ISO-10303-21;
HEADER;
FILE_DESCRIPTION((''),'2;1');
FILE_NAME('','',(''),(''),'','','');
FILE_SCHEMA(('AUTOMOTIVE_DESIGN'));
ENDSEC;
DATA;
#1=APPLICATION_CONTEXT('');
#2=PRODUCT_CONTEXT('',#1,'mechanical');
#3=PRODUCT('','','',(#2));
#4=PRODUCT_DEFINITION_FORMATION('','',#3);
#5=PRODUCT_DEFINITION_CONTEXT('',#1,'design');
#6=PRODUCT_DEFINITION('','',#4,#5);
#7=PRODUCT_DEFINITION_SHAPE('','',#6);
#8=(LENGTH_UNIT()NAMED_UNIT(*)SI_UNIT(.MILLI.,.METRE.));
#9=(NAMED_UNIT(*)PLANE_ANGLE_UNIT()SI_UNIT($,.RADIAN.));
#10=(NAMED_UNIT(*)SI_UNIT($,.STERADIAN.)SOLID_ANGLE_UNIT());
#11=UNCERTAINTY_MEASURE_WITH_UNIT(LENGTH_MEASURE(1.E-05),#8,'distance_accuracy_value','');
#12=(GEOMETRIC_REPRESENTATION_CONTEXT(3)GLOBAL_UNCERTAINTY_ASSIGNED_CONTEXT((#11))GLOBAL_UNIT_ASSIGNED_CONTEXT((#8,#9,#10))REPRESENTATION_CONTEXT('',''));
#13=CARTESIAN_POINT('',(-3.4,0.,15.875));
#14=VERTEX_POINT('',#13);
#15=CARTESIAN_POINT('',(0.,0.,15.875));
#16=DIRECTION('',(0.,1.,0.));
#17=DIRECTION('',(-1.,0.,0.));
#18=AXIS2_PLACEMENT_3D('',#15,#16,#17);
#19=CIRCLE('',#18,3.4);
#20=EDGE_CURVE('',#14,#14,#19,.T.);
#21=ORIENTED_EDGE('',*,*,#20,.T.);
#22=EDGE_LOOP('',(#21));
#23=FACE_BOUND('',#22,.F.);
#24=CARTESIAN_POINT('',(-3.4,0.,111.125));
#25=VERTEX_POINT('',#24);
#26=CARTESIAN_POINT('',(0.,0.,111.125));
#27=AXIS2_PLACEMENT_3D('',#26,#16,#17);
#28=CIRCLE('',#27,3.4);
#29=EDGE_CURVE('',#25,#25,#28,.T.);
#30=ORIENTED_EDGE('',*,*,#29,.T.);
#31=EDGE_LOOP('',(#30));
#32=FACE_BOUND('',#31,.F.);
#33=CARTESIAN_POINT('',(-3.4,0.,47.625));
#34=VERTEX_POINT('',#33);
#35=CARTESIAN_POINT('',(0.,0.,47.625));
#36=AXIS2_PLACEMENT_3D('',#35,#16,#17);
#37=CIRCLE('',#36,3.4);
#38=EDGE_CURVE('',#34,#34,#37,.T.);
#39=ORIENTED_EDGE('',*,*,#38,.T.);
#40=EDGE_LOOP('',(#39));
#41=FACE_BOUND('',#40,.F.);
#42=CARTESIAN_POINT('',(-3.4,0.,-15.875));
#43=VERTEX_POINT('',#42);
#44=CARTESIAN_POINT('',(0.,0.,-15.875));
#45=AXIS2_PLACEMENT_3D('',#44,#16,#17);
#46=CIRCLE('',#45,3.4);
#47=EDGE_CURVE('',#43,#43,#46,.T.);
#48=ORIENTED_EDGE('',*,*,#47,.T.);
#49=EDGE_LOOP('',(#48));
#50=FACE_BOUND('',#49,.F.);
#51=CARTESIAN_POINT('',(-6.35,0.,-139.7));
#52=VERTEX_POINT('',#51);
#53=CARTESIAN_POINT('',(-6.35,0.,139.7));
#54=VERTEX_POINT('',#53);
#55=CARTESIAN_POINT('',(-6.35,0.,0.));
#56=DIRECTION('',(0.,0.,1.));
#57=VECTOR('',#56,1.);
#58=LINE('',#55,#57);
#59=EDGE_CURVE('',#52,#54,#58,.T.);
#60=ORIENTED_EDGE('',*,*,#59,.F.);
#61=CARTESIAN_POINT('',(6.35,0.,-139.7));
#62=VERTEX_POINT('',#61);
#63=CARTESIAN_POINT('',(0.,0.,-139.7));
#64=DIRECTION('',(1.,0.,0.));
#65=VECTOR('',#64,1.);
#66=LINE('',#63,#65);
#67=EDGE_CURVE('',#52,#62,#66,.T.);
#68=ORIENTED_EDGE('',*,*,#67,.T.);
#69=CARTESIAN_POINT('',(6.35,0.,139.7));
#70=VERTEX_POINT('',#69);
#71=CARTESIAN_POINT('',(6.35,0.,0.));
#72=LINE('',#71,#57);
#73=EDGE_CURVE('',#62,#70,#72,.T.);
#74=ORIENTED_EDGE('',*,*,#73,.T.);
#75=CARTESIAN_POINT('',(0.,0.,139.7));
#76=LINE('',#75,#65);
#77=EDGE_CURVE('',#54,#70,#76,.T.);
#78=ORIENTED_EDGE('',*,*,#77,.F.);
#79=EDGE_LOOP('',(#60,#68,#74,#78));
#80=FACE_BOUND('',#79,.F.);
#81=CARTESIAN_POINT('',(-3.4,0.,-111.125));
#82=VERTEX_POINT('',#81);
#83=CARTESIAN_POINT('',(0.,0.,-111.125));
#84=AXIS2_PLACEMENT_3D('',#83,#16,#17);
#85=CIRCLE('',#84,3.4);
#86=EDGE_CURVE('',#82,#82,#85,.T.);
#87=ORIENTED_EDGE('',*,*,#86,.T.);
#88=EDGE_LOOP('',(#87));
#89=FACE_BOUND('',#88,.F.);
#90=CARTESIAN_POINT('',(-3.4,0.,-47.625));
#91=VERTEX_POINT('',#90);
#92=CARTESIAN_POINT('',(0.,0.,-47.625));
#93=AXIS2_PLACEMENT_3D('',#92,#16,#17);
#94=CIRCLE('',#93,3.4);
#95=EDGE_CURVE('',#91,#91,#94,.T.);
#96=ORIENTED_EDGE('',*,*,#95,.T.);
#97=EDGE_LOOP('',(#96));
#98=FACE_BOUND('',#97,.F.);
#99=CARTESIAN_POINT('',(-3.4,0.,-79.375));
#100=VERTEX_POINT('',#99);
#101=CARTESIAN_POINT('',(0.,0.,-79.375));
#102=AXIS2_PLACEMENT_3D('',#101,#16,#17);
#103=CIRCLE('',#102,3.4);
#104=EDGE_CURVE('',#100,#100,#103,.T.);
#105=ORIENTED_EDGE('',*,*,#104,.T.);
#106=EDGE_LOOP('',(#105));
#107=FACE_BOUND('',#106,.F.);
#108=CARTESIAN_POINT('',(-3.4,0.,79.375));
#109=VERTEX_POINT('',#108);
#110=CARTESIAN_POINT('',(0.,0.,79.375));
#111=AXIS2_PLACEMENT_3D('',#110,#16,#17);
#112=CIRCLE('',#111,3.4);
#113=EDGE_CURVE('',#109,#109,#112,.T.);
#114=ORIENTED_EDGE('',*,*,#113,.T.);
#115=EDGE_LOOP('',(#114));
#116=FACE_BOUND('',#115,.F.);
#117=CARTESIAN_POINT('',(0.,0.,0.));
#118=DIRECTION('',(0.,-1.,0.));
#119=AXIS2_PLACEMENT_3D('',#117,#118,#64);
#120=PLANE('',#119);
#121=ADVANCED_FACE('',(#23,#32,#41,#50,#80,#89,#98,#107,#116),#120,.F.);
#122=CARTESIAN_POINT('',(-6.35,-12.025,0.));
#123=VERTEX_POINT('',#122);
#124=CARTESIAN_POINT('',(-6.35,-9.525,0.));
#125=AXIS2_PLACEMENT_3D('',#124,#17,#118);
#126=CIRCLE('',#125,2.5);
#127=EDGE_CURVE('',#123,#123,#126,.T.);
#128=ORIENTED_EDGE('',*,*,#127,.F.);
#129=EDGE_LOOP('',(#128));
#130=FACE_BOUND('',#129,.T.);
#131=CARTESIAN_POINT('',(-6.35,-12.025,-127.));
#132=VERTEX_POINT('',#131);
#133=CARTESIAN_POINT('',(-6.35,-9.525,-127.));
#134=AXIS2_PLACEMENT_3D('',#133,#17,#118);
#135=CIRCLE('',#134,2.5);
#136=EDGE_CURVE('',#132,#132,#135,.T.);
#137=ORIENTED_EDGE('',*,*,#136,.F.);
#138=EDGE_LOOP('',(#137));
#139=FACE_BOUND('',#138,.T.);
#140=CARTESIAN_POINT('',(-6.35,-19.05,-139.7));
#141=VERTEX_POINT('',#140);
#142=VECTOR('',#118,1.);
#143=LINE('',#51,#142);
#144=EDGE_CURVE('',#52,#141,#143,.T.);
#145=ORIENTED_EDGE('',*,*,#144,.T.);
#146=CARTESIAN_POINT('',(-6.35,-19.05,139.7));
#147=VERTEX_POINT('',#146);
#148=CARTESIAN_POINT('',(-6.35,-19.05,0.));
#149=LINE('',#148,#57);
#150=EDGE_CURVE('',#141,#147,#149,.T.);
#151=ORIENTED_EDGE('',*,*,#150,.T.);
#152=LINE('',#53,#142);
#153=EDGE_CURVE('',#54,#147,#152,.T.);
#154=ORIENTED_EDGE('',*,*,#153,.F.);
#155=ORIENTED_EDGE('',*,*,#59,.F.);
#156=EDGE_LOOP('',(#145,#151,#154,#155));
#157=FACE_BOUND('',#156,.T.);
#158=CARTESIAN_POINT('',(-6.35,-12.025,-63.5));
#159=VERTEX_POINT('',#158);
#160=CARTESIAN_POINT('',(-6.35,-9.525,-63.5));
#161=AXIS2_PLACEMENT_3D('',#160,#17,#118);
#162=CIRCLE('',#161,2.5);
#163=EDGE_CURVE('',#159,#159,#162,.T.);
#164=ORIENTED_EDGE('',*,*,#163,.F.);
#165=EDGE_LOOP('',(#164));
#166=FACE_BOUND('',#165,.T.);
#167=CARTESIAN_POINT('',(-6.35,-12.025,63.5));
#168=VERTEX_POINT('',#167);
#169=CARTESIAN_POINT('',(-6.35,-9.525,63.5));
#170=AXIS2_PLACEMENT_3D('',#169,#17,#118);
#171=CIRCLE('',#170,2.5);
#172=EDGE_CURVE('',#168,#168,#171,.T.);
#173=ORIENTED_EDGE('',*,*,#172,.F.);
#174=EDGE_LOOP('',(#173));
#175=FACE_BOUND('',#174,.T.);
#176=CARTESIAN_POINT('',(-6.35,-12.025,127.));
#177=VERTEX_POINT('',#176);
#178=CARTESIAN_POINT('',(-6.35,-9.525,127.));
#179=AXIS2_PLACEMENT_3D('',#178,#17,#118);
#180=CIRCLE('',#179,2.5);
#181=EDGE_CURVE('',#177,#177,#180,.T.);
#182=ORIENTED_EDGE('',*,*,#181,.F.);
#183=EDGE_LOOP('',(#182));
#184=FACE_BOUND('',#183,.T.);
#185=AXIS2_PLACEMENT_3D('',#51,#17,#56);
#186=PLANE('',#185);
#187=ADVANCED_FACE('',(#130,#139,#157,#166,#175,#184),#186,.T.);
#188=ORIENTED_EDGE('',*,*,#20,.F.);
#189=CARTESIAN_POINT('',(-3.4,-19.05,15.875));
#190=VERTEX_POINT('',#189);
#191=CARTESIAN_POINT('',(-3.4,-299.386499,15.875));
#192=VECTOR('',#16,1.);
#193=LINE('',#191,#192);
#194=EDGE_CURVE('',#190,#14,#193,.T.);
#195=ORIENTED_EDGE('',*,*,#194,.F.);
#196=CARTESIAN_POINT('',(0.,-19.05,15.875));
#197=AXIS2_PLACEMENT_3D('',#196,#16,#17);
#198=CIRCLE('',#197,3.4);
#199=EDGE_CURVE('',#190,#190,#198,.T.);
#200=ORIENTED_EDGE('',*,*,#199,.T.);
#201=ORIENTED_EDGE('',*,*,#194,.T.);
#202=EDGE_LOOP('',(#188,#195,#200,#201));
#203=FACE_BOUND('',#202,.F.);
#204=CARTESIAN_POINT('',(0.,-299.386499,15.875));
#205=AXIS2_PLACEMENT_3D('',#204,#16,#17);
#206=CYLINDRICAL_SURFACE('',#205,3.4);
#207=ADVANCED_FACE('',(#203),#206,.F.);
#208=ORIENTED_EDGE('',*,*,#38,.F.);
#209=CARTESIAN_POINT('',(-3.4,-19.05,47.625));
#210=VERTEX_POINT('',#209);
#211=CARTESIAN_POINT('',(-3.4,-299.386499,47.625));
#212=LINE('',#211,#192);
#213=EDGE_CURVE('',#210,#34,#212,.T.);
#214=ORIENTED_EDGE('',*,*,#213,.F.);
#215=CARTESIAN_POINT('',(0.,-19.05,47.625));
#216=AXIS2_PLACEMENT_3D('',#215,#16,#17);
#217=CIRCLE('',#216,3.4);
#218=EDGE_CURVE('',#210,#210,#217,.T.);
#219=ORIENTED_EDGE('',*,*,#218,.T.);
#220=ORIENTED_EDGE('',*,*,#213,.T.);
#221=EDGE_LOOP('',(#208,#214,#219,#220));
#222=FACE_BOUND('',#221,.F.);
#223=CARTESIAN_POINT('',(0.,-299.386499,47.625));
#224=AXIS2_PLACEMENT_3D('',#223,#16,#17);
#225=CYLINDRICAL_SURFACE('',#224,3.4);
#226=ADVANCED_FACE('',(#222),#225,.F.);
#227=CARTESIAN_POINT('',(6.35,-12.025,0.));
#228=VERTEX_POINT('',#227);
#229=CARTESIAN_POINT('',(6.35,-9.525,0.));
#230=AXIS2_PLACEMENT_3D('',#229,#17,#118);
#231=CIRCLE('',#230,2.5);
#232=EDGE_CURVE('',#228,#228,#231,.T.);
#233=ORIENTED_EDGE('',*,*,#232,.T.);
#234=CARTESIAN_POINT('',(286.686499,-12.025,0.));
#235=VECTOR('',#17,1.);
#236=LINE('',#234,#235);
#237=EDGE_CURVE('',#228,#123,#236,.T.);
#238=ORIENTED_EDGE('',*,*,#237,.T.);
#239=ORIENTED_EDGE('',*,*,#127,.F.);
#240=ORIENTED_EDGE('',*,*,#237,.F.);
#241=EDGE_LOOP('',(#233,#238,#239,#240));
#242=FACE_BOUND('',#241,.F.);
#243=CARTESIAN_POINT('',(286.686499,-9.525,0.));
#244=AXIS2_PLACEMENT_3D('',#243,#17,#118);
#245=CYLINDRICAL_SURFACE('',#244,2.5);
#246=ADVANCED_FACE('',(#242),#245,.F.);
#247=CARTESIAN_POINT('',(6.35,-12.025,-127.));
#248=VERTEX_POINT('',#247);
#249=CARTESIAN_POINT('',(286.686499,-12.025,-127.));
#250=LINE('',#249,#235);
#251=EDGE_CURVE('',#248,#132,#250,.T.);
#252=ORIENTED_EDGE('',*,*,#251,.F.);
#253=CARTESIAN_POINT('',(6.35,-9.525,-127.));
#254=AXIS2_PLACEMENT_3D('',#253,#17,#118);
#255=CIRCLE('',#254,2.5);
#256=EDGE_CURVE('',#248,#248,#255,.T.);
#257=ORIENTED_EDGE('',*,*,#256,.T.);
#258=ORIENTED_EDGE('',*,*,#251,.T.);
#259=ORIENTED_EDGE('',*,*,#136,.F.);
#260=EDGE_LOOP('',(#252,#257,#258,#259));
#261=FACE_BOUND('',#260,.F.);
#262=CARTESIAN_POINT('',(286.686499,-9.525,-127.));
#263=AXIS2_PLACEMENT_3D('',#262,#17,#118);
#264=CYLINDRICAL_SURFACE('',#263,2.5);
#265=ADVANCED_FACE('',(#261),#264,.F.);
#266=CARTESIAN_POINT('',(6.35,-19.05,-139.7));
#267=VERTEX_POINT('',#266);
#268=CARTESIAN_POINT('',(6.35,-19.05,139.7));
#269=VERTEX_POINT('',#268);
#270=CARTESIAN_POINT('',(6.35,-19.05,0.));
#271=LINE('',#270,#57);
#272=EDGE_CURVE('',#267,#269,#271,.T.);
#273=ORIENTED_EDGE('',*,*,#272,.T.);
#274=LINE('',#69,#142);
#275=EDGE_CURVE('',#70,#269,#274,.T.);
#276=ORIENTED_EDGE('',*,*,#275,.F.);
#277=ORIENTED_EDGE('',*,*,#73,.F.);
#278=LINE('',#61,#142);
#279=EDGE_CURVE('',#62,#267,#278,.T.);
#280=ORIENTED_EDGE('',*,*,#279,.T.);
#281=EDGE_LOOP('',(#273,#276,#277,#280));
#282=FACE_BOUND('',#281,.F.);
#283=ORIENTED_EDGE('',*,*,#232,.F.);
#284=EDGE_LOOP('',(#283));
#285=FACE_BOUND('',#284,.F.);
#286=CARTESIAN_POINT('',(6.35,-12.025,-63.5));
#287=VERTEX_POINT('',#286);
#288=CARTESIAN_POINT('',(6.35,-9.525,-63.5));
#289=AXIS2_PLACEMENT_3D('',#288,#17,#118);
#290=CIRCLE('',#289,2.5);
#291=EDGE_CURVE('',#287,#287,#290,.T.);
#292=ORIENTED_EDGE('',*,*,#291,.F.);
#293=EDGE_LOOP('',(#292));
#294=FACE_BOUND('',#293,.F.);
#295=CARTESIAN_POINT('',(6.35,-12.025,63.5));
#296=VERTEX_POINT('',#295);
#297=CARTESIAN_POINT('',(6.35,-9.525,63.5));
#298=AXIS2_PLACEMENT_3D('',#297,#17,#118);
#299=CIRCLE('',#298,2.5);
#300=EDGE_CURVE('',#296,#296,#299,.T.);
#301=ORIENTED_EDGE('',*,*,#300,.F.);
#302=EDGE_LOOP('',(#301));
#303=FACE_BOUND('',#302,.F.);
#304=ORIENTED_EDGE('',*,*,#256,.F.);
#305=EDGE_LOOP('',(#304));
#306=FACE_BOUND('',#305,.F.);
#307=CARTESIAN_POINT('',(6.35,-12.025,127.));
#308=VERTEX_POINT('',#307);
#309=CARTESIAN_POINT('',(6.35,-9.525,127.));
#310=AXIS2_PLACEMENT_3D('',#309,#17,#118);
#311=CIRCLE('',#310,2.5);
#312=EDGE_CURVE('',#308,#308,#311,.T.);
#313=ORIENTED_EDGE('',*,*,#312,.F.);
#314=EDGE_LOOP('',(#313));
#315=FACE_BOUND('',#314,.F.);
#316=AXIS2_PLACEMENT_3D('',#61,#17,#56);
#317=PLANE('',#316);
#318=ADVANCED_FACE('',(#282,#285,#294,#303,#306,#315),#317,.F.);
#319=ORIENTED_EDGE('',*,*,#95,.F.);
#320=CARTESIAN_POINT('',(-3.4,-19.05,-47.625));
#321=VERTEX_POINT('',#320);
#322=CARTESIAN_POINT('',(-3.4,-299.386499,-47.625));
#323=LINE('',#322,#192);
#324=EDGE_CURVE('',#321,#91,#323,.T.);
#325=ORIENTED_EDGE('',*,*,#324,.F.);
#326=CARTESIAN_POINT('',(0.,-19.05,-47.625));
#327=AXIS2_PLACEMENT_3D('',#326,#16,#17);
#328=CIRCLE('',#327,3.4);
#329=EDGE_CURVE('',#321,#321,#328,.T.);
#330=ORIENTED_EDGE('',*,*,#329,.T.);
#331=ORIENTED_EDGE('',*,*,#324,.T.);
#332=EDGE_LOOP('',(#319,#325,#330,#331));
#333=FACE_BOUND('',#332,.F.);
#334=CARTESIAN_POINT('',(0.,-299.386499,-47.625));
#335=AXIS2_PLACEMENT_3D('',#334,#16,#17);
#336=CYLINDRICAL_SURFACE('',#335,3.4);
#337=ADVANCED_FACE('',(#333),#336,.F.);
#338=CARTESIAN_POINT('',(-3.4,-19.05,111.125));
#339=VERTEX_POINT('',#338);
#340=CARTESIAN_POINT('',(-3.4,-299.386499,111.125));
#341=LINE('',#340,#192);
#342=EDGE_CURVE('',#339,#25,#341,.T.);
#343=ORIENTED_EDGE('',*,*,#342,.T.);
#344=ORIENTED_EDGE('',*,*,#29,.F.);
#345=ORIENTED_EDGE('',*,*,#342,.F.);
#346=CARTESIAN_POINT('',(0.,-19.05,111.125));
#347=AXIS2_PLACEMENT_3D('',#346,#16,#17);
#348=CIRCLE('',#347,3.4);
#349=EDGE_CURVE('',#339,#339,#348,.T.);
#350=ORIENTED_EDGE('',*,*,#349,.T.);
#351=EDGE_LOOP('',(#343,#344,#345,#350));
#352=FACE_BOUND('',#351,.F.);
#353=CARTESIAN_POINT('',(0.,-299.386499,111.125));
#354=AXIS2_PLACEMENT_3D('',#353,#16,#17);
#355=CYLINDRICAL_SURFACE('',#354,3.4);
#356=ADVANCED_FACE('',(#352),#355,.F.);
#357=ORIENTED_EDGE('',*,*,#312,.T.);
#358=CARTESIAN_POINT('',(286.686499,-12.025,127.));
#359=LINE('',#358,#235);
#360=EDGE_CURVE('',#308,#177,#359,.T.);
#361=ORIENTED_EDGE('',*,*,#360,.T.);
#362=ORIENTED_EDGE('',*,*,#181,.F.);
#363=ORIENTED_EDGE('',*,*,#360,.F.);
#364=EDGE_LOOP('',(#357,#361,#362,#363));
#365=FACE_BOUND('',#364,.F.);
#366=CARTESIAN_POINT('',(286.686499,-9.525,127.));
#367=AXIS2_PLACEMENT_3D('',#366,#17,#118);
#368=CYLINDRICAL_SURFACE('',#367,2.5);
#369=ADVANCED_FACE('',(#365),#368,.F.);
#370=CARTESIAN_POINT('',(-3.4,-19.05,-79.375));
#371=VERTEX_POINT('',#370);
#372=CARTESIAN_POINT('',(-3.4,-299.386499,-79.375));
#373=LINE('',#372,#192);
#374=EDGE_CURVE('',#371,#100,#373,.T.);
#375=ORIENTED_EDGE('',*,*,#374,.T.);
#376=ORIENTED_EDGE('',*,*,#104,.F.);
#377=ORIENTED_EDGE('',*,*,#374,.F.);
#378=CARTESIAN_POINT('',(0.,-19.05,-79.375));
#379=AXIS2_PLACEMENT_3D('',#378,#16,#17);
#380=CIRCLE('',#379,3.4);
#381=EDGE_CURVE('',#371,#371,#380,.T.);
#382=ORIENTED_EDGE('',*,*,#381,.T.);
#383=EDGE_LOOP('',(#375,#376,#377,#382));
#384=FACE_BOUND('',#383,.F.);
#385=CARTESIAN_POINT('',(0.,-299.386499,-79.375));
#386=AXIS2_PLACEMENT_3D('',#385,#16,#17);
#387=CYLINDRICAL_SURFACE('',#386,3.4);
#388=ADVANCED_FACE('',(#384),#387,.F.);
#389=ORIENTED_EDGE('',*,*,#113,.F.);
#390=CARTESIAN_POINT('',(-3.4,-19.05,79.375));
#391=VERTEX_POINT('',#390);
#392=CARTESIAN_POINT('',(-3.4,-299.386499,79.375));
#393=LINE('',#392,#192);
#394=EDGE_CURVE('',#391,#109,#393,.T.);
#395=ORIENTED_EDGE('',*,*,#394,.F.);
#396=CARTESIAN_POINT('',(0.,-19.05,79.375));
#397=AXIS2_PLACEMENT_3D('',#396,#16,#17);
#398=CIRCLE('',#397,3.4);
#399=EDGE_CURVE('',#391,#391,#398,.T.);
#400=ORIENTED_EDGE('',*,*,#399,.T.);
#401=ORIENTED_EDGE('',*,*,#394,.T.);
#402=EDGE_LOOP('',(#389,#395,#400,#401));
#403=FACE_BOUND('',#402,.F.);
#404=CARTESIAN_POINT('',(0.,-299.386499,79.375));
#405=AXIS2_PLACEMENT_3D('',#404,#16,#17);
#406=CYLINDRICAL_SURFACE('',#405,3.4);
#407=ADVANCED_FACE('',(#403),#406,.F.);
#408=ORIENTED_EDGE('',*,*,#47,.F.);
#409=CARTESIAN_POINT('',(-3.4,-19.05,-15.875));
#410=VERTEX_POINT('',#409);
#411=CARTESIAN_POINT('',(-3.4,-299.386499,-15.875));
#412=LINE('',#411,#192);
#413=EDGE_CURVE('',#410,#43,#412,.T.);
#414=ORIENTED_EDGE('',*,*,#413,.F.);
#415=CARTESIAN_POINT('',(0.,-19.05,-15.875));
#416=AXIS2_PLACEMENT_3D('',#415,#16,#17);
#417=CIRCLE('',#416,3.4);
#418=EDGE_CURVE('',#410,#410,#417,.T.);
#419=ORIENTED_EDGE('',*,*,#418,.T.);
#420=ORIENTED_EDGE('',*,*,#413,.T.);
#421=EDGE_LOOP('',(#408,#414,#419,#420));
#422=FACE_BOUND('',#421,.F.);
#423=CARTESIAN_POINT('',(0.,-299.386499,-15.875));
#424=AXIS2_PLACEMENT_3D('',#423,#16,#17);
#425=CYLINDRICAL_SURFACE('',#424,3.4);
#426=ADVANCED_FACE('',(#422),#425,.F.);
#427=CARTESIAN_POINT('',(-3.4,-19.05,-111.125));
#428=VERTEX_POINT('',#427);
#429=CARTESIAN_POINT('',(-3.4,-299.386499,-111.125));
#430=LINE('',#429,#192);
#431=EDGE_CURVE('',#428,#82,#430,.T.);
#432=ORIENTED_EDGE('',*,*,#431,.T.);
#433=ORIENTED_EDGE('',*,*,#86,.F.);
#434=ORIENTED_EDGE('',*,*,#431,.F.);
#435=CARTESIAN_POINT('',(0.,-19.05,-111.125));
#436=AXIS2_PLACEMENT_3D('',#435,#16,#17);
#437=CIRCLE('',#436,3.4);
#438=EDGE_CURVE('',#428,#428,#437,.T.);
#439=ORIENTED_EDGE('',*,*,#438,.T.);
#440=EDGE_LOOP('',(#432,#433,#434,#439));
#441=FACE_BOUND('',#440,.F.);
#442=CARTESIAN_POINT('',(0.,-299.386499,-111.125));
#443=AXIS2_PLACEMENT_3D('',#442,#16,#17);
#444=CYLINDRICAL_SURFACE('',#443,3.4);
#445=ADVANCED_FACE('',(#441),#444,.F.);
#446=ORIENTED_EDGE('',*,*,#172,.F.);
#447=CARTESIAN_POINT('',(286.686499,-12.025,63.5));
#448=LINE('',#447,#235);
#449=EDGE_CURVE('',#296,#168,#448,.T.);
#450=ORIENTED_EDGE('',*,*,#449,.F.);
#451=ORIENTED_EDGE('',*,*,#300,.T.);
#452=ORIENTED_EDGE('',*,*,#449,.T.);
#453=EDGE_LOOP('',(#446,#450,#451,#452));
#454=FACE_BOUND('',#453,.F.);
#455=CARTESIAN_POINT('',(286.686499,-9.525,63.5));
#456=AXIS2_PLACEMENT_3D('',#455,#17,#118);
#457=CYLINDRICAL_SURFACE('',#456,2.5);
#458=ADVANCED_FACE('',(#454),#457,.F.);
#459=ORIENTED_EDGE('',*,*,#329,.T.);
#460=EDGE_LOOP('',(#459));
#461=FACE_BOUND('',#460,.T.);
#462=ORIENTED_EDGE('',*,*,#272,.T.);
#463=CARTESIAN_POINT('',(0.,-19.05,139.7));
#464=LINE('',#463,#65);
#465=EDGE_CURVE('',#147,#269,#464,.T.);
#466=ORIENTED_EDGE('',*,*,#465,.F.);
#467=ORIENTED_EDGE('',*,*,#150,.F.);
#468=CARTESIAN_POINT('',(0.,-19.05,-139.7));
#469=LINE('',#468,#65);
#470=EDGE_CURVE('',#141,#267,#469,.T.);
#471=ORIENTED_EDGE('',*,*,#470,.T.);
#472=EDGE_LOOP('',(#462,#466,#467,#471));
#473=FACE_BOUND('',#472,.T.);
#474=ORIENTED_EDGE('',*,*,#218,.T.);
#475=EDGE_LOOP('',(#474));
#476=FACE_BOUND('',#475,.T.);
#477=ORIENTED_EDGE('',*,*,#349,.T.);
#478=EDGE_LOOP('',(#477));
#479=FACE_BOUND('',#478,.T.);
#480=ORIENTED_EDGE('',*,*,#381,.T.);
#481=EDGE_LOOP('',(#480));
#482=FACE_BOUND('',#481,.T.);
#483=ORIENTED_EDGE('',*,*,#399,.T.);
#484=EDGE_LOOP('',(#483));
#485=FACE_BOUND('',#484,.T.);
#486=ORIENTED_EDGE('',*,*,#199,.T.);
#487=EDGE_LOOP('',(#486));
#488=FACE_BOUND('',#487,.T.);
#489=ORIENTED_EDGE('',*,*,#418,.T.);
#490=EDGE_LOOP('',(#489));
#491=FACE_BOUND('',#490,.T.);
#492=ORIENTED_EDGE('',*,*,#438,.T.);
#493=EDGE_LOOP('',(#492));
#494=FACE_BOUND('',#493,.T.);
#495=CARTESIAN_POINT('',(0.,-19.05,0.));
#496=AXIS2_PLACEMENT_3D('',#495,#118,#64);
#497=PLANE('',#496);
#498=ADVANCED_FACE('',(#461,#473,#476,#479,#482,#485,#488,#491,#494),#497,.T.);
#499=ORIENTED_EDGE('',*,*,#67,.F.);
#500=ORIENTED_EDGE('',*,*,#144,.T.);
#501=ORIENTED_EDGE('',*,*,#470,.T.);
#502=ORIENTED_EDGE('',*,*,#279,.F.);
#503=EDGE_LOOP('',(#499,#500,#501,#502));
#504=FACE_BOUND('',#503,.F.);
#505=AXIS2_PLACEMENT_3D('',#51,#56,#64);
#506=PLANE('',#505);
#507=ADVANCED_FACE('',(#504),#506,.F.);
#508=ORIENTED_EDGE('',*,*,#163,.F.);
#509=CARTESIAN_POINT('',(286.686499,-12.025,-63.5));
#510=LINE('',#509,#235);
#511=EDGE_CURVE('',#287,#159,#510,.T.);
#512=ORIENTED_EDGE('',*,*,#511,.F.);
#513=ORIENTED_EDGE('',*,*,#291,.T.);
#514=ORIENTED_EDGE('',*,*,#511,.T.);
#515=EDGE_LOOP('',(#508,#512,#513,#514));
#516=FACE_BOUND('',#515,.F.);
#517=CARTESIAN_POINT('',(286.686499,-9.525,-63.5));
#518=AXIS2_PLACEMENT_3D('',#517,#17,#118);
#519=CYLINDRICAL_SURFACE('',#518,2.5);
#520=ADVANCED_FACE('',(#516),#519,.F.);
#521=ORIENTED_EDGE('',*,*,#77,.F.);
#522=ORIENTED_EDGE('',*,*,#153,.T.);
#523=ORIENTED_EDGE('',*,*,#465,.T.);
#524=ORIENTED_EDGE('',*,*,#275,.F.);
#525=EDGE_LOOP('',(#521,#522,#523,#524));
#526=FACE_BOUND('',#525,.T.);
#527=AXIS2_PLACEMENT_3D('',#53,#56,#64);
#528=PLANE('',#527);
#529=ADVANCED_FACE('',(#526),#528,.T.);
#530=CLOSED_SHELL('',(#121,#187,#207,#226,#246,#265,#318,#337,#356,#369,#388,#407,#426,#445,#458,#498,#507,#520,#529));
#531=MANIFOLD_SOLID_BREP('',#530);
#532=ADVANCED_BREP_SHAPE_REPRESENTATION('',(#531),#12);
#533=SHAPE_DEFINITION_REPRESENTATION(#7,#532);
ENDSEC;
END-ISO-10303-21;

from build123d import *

# Parameters (mm, degrees)
F0_W     = 12.7
F0_H     = 279.4
F1_DEPTH = 19.05
F3_D     = 5
F5_D     = 6.8


with BuildPart() as f1:
    # F0 (on Front) → F1 (new body)
    with BuildSketch(Plane.XZ):
        Rectangle(F0_W, F0_H)
    extrude(amount=F1_DEPTH)

    # F3 (through all)
    with Locations(Plane.YZ.offset(6.35)):
        with Locations((-9.525, 127), (-9.525, 63.5), (-9.525, 0), (-9.525, -63.5), (-9.525, -127)):
            Hole(F3_D / 2)

    # F5 (through all)
    with Locations(Plane.XZ.offset(19.05)):
        with Locations((0, 111.125), (0, 79.375), (0, 47.625), (0, 15.875), (0, -15.875), (0, -47.625), (0, -79.375), (0, -111.125)):
            Hole(F5_D / 2)


solid = f1.part
